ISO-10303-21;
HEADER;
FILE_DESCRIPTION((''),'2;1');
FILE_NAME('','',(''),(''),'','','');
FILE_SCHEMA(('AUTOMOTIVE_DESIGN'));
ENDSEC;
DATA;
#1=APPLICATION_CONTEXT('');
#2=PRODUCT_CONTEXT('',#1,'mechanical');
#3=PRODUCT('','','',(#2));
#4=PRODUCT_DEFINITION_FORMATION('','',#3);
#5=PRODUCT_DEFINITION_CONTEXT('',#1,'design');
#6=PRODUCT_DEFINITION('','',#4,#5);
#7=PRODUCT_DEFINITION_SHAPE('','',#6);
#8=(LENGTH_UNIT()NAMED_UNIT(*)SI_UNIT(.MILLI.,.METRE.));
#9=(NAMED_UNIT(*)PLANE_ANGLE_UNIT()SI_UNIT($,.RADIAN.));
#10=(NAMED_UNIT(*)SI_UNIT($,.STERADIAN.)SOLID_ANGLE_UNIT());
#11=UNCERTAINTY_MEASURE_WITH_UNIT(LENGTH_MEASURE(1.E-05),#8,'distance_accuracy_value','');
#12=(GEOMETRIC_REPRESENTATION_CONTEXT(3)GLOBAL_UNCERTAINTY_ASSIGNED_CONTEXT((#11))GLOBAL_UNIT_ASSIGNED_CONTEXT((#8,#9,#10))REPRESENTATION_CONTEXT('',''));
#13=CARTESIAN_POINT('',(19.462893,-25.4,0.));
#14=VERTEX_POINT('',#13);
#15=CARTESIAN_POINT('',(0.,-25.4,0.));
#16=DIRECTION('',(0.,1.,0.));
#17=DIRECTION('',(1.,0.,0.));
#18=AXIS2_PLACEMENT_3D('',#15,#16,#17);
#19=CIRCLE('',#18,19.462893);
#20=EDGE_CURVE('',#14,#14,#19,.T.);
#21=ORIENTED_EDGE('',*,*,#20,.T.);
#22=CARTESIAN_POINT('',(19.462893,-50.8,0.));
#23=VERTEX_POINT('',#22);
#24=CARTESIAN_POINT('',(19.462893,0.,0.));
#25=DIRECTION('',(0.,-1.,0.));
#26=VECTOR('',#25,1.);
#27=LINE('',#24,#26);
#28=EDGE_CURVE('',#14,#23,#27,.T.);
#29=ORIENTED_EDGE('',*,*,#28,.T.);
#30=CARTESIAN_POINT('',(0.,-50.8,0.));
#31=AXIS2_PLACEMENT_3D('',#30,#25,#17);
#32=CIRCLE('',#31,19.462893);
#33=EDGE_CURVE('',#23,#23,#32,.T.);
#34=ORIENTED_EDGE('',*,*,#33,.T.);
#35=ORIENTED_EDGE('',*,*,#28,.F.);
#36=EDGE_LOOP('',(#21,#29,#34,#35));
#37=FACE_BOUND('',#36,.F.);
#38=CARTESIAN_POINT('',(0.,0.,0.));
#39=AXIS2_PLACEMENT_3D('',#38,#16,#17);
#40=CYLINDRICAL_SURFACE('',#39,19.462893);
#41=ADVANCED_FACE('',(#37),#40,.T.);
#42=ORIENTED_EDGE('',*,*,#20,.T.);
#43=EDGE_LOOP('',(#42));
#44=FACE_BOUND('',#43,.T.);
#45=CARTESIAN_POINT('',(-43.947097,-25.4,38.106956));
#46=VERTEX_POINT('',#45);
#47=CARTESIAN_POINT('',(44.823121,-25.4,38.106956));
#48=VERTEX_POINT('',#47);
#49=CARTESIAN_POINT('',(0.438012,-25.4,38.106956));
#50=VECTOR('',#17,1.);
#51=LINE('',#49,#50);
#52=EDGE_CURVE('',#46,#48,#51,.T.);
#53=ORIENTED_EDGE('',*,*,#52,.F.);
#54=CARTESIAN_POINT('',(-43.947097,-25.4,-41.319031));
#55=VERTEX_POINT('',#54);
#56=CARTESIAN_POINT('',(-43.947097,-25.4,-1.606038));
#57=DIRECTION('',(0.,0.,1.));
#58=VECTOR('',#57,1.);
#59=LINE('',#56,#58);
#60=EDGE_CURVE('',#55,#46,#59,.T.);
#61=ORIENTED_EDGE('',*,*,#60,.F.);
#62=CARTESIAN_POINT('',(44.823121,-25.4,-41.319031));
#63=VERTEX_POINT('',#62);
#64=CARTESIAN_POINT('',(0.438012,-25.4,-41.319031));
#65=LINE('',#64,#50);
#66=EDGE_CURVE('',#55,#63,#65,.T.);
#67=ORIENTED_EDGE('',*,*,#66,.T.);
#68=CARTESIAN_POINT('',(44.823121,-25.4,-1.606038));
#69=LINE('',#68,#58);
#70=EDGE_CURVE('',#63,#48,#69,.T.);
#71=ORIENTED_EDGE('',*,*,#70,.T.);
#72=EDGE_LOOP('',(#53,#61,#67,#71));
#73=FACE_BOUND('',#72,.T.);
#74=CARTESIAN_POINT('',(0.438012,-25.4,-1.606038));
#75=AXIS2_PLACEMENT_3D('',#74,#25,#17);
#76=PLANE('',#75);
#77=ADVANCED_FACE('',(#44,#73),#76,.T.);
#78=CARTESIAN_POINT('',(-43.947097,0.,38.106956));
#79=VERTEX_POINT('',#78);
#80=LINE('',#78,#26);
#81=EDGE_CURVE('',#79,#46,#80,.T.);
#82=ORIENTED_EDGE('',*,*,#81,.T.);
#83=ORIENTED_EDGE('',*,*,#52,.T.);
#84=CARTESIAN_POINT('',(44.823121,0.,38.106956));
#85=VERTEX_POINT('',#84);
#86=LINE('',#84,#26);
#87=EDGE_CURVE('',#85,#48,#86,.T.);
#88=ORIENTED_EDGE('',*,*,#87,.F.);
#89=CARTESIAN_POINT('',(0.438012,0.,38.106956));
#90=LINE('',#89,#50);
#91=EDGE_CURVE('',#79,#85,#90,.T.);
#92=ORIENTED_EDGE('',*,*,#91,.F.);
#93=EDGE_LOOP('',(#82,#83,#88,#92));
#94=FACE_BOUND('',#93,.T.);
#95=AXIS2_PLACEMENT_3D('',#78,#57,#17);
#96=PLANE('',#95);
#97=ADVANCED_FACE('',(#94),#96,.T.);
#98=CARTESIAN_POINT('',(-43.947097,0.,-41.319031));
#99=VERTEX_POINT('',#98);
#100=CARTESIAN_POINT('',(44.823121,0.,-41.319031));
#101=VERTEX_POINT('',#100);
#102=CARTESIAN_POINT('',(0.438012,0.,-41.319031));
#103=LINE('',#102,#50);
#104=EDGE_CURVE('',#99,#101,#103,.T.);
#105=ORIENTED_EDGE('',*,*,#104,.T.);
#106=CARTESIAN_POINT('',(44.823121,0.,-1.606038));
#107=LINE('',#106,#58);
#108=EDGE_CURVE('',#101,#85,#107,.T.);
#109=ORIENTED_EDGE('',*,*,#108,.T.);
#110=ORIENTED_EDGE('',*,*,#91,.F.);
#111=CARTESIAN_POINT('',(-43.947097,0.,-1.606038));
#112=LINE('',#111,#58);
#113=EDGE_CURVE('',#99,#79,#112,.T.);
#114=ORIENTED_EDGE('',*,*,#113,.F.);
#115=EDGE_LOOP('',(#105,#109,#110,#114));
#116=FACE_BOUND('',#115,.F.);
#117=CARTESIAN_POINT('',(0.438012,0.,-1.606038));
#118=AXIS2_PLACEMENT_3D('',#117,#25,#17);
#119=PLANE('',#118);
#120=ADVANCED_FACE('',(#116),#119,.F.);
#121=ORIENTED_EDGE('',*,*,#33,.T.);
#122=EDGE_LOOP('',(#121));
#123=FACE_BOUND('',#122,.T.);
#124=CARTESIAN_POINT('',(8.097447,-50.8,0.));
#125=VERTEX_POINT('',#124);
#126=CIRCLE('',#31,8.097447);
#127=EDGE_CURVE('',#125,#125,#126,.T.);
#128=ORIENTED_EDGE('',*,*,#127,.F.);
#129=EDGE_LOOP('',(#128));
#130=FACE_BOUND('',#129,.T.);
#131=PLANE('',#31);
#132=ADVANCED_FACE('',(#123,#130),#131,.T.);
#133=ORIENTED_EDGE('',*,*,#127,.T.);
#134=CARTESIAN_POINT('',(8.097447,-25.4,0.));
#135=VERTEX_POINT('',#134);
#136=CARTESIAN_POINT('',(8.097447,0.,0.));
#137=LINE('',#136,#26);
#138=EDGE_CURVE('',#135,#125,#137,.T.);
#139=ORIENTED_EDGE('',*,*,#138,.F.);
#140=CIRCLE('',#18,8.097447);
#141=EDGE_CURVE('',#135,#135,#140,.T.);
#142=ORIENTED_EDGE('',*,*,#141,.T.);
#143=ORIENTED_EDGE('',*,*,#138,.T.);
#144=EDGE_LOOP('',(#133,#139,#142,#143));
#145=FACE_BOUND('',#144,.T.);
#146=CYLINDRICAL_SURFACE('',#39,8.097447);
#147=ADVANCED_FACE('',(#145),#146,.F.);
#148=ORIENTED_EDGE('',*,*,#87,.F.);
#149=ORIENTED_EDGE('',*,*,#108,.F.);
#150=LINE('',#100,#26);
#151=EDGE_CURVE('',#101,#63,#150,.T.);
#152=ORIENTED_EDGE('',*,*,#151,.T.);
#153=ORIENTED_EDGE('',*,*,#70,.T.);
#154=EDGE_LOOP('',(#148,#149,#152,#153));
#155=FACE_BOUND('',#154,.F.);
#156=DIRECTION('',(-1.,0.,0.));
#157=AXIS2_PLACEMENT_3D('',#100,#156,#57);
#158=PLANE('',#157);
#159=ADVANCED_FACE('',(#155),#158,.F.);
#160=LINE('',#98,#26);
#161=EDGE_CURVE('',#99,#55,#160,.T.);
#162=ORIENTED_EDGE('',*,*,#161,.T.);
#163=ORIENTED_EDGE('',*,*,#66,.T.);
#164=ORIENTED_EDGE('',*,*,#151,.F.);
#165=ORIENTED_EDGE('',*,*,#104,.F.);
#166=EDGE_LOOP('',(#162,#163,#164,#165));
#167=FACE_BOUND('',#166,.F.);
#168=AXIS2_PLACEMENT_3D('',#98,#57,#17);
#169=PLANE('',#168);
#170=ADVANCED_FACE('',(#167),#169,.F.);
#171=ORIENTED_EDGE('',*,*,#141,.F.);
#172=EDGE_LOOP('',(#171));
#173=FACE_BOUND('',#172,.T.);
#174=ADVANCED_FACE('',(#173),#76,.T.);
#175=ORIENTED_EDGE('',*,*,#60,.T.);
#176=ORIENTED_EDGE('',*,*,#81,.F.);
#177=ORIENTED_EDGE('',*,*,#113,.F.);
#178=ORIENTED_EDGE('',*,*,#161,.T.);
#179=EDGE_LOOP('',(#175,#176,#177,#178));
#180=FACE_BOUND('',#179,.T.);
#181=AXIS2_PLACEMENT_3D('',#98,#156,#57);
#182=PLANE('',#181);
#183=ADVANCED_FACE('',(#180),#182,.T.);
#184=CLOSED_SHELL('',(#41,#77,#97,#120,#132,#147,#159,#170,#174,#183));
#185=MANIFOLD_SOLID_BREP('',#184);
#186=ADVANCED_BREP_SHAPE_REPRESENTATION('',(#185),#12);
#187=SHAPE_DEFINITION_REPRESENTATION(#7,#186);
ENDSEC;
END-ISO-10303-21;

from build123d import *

# Parameters (mm, degrees)
F0_R     = 19.4628925801
F0_R_2   = 14.0890060642
F0_R_3   = 8.0974467075
F1_DEPTH = 50.8
F2_W     = 88.7702181935
F2_H     = 79.4259868562
F3_DEPTH = 25.4


with BuildPart() as f1:
    # F0 (on Front) → F1 (new body)
    with BuildSketch(Plane.XZ):
        Circle(F0_R)
        Circle(F0_R_2, mode=Mode.SUBTRACT)
        Circle(F0_R_2)
        Circle(F0_R_3, mode=Mode.SUBTRACT)
    extrude(amount=F1_DEPTH)

    # F2 (on Front) → F3 (join)
    with BuildSketch(Plane.XZ):
        with Locations((0.4380121827, -1.6060378402)):
            Rectangle(F2_W, F2_H)
    extrude(amount=F3_DEPTH)


solid = f1.part
